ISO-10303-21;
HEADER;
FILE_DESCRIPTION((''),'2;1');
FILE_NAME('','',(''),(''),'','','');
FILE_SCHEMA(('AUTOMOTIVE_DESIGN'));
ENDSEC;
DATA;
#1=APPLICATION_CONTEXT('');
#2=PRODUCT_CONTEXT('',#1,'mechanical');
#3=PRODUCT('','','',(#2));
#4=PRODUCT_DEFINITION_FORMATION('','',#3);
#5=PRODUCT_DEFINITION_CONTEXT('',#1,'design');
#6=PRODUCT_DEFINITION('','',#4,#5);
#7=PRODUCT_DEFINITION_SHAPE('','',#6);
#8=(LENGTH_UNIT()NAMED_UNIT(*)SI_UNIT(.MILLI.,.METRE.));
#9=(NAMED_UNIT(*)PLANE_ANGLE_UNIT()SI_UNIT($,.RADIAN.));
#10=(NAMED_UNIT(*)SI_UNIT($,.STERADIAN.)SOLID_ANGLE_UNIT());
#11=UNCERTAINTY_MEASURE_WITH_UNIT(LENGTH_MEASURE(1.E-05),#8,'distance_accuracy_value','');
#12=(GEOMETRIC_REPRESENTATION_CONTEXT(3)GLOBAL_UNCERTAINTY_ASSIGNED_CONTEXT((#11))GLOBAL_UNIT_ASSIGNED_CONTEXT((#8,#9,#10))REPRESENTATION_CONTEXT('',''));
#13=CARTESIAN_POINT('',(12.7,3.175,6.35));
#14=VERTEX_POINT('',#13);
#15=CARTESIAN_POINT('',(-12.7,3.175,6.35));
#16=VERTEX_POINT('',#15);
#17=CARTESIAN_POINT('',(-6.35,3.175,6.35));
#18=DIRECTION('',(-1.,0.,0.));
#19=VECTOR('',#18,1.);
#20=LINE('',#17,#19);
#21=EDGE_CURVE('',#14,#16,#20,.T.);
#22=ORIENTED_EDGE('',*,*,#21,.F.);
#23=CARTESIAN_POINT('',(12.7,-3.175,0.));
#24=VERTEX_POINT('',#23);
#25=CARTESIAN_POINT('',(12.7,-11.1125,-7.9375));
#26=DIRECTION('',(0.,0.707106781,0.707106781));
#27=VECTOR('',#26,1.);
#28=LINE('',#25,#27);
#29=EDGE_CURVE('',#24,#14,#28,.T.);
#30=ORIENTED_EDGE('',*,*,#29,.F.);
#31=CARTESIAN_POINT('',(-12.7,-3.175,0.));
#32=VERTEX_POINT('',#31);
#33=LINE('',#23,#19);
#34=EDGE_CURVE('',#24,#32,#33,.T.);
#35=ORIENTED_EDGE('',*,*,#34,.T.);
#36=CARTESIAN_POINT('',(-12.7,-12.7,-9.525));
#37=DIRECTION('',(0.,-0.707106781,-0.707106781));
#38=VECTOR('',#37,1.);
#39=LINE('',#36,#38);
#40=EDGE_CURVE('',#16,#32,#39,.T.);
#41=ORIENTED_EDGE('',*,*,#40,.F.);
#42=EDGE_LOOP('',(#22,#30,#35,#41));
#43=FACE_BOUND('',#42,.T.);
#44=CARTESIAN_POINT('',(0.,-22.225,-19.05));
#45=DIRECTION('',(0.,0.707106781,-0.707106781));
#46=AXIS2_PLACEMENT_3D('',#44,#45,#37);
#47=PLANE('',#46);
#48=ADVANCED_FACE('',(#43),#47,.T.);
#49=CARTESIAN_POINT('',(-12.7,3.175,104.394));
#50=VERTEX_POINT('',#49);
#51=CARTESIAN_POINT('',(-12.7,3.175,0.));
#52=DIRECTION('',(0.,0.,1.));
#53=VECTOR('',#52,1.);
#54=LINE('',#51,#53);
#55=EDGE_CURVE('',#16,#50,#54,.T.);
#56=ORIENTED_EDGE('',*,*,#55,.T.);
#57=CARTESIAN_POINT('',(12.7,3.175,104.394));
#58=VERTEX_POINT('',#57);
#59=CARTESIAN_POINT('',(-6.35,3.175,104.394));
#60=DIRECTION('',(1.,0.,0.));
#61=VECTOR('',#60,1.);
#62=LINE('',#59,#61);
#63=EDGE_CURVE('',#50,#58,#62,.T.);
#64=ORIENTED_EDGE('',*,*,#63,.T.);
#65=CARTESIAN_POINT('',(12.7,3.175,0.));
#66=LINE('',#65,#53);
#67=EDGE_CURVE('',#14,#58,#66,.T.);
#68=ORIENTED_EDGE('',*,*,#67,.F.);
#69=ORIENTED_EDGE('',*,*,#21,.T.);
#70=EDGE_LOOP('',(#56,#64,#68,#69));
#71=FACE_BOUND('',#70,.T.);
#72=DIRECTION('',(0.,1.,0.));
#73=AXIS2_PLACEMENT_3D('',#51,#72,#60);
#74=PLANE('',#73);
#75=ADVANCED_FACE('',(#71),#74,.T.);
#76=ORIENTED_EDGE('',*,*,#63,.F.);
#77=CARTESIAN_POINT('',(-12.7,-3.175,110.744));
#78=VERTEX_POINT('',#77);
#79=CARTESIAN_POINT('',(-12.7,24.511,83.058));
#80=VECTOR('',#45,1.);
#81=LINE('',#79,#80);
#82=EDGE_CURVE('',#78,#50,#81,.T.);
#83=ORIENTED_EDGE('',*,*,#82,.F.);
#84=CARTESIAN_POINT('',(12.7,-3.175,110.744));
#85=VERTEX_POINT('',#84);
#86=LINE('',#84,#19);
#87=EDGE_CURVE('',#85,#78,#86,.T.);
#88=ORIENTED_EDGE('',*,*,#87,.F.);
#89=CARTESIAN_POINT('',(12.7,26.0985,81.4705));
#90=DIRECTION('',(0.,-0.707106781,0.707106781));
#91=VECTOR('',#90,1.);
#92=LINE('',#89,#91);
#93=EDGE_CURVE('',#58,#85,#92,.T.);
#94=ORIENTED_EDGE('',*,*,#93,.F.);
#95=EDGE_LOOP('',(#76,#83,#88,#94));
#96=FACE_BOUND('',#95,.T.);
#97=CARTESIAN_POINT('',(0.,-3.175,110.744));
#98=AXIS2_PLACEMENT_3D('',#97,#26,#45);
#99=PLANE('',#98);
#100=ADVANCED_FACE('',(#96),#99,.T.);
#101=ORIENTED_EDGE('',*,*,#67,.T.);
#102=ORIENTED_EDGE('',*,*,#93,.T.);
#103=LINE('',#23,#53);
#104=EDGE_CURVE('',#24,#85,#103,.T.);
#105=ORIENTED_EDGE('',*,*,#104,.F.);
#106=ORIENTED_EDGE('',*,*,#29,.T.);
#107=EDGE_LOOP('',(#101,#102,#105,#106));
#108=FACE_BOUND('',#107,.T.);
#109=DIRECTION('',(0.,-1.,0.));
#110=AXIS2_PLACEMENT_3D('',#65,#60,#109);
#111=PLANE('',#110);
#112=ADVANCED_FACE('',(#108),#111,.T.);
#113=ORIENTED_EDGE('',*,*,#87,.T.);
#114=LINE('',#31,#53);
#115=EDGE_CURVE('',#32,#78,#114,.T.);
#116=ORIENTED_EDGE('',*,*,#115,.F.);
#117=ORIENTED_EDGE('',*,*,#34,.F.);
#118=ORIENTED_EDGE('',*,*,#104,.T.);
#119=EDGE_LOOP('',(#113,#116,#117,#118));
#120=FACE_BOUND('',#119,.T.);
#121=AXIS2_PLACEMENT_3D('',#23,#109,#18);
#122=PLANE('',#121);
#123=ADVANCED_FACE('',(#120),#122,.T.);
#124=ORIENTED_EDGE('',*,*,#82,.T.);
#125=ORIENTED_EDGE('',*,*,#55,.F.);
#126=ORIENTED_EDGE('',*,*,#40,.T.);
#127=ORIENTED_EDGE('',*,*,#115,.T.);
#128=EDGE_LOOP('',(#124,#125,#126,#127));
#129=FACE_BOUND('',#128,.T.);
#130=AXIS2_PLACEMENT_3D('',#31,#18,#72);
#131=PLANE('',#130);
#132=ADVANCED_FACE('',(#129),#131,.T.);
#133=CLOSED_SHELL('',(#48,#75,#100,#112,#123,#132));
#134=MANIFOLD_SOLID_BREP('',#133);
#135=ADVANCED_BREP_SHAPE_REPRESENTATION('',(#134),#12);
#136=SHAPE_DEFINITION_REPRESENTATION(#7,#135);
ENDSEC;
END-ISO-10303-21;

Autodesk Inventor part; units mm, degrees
ref_plane "Start plane" through (0, 0, 0) normal (0, 0, 1) x (1, 0, 0)
ref_plane "End plane" through (0, 0, 110.744) normal (0, 0, 1) x (1, 0, 0)
sketch "Sketch" plane through (0, 0, 0) normal (0, 0, 1) x (1, 0, 0)
  line L0 (12.7, -3.175) -> (-12.7, -3.175)
  line L1 (-12.7, -3.175) -> (-12.7, 3.175)
  line L2 (-12.7, 3.175) -> (12.7, 3.175)
  line L3 (12.7, 3.175) -> (12.7, -3.175)
  line L4 (-6, 0) -> (8, 0) construction
  line L5 (0, -30) -> (0, 40) construction
  line L6 (0, 54) -> (0, -44) construction
  line L7 (-17.78, 0) -> (17.78, 0) construction
  dimension "d0" = 6.35
  dimension "d1" = 25.4
  dimension "d4" = 12.7
  dimension "d5" = 3.175
extrude "Body" add sketch "Sketch" along normal up to surface (110.744 mm away) from surface at 0
sketch "Sketch3" plane through (0, 0, 0) normal (0, 0, 1) x (1, 0, 0)
  line L0 (0, 0) -> (10, 0)
ref_plane "Work Plane3" through (0, 0, 0) normal (0, -1, 0) x (1, 0, 0)
sketch "Sketch4" plane through (0, 0, 0) normal (0, -1, 0) x (1, 0, 0)
  line L0 (-2, 0) -> (12, 0)
  line L1 (-2, 110.744) -> (12, 110.744)
  dimension "d9" = 110.744
ref_plane "Work Plane4" through (0, -22.225, -19.05) normal (0, 0.7071, -0.7071) x (1, 0, 0)
split "Split1" plane through (0, -22.225, -19.05) removes the side toward (0, 0.7071, -0.7071)
ref_plane "Work Plane5" through (0, -3.175, 110.744) normal (0, 0.7071, 0.7071) x (1, 0, 0)
split "Split2" plane through (0, -3.175, 110.744) removes the side toward (0, 0.7071, 0.7071)
equation "\"d0\" = G_W"
equation "\"d1\" = G_H"
equation "\"d4\" = 0.5 * d1"
equation "\"d5\" = 0.5 * d0"
equation "\"d2\" = G_L"
equation "\"G_W\" = 6.35"
equation "\"G_H\" = 25.4"
equation "\"G_L\" = d9"
equation "\"G_OFFSET_START\" = 0"
equation "\"G_OFFSET_END\" = 0"
equation "\"d7\" = G_OFFSET_END + B_L"
equation "\"B_L\" = 110.744"
properties part number "AISC - 1/4x1 - 4.36" material "Steel, Mild"
